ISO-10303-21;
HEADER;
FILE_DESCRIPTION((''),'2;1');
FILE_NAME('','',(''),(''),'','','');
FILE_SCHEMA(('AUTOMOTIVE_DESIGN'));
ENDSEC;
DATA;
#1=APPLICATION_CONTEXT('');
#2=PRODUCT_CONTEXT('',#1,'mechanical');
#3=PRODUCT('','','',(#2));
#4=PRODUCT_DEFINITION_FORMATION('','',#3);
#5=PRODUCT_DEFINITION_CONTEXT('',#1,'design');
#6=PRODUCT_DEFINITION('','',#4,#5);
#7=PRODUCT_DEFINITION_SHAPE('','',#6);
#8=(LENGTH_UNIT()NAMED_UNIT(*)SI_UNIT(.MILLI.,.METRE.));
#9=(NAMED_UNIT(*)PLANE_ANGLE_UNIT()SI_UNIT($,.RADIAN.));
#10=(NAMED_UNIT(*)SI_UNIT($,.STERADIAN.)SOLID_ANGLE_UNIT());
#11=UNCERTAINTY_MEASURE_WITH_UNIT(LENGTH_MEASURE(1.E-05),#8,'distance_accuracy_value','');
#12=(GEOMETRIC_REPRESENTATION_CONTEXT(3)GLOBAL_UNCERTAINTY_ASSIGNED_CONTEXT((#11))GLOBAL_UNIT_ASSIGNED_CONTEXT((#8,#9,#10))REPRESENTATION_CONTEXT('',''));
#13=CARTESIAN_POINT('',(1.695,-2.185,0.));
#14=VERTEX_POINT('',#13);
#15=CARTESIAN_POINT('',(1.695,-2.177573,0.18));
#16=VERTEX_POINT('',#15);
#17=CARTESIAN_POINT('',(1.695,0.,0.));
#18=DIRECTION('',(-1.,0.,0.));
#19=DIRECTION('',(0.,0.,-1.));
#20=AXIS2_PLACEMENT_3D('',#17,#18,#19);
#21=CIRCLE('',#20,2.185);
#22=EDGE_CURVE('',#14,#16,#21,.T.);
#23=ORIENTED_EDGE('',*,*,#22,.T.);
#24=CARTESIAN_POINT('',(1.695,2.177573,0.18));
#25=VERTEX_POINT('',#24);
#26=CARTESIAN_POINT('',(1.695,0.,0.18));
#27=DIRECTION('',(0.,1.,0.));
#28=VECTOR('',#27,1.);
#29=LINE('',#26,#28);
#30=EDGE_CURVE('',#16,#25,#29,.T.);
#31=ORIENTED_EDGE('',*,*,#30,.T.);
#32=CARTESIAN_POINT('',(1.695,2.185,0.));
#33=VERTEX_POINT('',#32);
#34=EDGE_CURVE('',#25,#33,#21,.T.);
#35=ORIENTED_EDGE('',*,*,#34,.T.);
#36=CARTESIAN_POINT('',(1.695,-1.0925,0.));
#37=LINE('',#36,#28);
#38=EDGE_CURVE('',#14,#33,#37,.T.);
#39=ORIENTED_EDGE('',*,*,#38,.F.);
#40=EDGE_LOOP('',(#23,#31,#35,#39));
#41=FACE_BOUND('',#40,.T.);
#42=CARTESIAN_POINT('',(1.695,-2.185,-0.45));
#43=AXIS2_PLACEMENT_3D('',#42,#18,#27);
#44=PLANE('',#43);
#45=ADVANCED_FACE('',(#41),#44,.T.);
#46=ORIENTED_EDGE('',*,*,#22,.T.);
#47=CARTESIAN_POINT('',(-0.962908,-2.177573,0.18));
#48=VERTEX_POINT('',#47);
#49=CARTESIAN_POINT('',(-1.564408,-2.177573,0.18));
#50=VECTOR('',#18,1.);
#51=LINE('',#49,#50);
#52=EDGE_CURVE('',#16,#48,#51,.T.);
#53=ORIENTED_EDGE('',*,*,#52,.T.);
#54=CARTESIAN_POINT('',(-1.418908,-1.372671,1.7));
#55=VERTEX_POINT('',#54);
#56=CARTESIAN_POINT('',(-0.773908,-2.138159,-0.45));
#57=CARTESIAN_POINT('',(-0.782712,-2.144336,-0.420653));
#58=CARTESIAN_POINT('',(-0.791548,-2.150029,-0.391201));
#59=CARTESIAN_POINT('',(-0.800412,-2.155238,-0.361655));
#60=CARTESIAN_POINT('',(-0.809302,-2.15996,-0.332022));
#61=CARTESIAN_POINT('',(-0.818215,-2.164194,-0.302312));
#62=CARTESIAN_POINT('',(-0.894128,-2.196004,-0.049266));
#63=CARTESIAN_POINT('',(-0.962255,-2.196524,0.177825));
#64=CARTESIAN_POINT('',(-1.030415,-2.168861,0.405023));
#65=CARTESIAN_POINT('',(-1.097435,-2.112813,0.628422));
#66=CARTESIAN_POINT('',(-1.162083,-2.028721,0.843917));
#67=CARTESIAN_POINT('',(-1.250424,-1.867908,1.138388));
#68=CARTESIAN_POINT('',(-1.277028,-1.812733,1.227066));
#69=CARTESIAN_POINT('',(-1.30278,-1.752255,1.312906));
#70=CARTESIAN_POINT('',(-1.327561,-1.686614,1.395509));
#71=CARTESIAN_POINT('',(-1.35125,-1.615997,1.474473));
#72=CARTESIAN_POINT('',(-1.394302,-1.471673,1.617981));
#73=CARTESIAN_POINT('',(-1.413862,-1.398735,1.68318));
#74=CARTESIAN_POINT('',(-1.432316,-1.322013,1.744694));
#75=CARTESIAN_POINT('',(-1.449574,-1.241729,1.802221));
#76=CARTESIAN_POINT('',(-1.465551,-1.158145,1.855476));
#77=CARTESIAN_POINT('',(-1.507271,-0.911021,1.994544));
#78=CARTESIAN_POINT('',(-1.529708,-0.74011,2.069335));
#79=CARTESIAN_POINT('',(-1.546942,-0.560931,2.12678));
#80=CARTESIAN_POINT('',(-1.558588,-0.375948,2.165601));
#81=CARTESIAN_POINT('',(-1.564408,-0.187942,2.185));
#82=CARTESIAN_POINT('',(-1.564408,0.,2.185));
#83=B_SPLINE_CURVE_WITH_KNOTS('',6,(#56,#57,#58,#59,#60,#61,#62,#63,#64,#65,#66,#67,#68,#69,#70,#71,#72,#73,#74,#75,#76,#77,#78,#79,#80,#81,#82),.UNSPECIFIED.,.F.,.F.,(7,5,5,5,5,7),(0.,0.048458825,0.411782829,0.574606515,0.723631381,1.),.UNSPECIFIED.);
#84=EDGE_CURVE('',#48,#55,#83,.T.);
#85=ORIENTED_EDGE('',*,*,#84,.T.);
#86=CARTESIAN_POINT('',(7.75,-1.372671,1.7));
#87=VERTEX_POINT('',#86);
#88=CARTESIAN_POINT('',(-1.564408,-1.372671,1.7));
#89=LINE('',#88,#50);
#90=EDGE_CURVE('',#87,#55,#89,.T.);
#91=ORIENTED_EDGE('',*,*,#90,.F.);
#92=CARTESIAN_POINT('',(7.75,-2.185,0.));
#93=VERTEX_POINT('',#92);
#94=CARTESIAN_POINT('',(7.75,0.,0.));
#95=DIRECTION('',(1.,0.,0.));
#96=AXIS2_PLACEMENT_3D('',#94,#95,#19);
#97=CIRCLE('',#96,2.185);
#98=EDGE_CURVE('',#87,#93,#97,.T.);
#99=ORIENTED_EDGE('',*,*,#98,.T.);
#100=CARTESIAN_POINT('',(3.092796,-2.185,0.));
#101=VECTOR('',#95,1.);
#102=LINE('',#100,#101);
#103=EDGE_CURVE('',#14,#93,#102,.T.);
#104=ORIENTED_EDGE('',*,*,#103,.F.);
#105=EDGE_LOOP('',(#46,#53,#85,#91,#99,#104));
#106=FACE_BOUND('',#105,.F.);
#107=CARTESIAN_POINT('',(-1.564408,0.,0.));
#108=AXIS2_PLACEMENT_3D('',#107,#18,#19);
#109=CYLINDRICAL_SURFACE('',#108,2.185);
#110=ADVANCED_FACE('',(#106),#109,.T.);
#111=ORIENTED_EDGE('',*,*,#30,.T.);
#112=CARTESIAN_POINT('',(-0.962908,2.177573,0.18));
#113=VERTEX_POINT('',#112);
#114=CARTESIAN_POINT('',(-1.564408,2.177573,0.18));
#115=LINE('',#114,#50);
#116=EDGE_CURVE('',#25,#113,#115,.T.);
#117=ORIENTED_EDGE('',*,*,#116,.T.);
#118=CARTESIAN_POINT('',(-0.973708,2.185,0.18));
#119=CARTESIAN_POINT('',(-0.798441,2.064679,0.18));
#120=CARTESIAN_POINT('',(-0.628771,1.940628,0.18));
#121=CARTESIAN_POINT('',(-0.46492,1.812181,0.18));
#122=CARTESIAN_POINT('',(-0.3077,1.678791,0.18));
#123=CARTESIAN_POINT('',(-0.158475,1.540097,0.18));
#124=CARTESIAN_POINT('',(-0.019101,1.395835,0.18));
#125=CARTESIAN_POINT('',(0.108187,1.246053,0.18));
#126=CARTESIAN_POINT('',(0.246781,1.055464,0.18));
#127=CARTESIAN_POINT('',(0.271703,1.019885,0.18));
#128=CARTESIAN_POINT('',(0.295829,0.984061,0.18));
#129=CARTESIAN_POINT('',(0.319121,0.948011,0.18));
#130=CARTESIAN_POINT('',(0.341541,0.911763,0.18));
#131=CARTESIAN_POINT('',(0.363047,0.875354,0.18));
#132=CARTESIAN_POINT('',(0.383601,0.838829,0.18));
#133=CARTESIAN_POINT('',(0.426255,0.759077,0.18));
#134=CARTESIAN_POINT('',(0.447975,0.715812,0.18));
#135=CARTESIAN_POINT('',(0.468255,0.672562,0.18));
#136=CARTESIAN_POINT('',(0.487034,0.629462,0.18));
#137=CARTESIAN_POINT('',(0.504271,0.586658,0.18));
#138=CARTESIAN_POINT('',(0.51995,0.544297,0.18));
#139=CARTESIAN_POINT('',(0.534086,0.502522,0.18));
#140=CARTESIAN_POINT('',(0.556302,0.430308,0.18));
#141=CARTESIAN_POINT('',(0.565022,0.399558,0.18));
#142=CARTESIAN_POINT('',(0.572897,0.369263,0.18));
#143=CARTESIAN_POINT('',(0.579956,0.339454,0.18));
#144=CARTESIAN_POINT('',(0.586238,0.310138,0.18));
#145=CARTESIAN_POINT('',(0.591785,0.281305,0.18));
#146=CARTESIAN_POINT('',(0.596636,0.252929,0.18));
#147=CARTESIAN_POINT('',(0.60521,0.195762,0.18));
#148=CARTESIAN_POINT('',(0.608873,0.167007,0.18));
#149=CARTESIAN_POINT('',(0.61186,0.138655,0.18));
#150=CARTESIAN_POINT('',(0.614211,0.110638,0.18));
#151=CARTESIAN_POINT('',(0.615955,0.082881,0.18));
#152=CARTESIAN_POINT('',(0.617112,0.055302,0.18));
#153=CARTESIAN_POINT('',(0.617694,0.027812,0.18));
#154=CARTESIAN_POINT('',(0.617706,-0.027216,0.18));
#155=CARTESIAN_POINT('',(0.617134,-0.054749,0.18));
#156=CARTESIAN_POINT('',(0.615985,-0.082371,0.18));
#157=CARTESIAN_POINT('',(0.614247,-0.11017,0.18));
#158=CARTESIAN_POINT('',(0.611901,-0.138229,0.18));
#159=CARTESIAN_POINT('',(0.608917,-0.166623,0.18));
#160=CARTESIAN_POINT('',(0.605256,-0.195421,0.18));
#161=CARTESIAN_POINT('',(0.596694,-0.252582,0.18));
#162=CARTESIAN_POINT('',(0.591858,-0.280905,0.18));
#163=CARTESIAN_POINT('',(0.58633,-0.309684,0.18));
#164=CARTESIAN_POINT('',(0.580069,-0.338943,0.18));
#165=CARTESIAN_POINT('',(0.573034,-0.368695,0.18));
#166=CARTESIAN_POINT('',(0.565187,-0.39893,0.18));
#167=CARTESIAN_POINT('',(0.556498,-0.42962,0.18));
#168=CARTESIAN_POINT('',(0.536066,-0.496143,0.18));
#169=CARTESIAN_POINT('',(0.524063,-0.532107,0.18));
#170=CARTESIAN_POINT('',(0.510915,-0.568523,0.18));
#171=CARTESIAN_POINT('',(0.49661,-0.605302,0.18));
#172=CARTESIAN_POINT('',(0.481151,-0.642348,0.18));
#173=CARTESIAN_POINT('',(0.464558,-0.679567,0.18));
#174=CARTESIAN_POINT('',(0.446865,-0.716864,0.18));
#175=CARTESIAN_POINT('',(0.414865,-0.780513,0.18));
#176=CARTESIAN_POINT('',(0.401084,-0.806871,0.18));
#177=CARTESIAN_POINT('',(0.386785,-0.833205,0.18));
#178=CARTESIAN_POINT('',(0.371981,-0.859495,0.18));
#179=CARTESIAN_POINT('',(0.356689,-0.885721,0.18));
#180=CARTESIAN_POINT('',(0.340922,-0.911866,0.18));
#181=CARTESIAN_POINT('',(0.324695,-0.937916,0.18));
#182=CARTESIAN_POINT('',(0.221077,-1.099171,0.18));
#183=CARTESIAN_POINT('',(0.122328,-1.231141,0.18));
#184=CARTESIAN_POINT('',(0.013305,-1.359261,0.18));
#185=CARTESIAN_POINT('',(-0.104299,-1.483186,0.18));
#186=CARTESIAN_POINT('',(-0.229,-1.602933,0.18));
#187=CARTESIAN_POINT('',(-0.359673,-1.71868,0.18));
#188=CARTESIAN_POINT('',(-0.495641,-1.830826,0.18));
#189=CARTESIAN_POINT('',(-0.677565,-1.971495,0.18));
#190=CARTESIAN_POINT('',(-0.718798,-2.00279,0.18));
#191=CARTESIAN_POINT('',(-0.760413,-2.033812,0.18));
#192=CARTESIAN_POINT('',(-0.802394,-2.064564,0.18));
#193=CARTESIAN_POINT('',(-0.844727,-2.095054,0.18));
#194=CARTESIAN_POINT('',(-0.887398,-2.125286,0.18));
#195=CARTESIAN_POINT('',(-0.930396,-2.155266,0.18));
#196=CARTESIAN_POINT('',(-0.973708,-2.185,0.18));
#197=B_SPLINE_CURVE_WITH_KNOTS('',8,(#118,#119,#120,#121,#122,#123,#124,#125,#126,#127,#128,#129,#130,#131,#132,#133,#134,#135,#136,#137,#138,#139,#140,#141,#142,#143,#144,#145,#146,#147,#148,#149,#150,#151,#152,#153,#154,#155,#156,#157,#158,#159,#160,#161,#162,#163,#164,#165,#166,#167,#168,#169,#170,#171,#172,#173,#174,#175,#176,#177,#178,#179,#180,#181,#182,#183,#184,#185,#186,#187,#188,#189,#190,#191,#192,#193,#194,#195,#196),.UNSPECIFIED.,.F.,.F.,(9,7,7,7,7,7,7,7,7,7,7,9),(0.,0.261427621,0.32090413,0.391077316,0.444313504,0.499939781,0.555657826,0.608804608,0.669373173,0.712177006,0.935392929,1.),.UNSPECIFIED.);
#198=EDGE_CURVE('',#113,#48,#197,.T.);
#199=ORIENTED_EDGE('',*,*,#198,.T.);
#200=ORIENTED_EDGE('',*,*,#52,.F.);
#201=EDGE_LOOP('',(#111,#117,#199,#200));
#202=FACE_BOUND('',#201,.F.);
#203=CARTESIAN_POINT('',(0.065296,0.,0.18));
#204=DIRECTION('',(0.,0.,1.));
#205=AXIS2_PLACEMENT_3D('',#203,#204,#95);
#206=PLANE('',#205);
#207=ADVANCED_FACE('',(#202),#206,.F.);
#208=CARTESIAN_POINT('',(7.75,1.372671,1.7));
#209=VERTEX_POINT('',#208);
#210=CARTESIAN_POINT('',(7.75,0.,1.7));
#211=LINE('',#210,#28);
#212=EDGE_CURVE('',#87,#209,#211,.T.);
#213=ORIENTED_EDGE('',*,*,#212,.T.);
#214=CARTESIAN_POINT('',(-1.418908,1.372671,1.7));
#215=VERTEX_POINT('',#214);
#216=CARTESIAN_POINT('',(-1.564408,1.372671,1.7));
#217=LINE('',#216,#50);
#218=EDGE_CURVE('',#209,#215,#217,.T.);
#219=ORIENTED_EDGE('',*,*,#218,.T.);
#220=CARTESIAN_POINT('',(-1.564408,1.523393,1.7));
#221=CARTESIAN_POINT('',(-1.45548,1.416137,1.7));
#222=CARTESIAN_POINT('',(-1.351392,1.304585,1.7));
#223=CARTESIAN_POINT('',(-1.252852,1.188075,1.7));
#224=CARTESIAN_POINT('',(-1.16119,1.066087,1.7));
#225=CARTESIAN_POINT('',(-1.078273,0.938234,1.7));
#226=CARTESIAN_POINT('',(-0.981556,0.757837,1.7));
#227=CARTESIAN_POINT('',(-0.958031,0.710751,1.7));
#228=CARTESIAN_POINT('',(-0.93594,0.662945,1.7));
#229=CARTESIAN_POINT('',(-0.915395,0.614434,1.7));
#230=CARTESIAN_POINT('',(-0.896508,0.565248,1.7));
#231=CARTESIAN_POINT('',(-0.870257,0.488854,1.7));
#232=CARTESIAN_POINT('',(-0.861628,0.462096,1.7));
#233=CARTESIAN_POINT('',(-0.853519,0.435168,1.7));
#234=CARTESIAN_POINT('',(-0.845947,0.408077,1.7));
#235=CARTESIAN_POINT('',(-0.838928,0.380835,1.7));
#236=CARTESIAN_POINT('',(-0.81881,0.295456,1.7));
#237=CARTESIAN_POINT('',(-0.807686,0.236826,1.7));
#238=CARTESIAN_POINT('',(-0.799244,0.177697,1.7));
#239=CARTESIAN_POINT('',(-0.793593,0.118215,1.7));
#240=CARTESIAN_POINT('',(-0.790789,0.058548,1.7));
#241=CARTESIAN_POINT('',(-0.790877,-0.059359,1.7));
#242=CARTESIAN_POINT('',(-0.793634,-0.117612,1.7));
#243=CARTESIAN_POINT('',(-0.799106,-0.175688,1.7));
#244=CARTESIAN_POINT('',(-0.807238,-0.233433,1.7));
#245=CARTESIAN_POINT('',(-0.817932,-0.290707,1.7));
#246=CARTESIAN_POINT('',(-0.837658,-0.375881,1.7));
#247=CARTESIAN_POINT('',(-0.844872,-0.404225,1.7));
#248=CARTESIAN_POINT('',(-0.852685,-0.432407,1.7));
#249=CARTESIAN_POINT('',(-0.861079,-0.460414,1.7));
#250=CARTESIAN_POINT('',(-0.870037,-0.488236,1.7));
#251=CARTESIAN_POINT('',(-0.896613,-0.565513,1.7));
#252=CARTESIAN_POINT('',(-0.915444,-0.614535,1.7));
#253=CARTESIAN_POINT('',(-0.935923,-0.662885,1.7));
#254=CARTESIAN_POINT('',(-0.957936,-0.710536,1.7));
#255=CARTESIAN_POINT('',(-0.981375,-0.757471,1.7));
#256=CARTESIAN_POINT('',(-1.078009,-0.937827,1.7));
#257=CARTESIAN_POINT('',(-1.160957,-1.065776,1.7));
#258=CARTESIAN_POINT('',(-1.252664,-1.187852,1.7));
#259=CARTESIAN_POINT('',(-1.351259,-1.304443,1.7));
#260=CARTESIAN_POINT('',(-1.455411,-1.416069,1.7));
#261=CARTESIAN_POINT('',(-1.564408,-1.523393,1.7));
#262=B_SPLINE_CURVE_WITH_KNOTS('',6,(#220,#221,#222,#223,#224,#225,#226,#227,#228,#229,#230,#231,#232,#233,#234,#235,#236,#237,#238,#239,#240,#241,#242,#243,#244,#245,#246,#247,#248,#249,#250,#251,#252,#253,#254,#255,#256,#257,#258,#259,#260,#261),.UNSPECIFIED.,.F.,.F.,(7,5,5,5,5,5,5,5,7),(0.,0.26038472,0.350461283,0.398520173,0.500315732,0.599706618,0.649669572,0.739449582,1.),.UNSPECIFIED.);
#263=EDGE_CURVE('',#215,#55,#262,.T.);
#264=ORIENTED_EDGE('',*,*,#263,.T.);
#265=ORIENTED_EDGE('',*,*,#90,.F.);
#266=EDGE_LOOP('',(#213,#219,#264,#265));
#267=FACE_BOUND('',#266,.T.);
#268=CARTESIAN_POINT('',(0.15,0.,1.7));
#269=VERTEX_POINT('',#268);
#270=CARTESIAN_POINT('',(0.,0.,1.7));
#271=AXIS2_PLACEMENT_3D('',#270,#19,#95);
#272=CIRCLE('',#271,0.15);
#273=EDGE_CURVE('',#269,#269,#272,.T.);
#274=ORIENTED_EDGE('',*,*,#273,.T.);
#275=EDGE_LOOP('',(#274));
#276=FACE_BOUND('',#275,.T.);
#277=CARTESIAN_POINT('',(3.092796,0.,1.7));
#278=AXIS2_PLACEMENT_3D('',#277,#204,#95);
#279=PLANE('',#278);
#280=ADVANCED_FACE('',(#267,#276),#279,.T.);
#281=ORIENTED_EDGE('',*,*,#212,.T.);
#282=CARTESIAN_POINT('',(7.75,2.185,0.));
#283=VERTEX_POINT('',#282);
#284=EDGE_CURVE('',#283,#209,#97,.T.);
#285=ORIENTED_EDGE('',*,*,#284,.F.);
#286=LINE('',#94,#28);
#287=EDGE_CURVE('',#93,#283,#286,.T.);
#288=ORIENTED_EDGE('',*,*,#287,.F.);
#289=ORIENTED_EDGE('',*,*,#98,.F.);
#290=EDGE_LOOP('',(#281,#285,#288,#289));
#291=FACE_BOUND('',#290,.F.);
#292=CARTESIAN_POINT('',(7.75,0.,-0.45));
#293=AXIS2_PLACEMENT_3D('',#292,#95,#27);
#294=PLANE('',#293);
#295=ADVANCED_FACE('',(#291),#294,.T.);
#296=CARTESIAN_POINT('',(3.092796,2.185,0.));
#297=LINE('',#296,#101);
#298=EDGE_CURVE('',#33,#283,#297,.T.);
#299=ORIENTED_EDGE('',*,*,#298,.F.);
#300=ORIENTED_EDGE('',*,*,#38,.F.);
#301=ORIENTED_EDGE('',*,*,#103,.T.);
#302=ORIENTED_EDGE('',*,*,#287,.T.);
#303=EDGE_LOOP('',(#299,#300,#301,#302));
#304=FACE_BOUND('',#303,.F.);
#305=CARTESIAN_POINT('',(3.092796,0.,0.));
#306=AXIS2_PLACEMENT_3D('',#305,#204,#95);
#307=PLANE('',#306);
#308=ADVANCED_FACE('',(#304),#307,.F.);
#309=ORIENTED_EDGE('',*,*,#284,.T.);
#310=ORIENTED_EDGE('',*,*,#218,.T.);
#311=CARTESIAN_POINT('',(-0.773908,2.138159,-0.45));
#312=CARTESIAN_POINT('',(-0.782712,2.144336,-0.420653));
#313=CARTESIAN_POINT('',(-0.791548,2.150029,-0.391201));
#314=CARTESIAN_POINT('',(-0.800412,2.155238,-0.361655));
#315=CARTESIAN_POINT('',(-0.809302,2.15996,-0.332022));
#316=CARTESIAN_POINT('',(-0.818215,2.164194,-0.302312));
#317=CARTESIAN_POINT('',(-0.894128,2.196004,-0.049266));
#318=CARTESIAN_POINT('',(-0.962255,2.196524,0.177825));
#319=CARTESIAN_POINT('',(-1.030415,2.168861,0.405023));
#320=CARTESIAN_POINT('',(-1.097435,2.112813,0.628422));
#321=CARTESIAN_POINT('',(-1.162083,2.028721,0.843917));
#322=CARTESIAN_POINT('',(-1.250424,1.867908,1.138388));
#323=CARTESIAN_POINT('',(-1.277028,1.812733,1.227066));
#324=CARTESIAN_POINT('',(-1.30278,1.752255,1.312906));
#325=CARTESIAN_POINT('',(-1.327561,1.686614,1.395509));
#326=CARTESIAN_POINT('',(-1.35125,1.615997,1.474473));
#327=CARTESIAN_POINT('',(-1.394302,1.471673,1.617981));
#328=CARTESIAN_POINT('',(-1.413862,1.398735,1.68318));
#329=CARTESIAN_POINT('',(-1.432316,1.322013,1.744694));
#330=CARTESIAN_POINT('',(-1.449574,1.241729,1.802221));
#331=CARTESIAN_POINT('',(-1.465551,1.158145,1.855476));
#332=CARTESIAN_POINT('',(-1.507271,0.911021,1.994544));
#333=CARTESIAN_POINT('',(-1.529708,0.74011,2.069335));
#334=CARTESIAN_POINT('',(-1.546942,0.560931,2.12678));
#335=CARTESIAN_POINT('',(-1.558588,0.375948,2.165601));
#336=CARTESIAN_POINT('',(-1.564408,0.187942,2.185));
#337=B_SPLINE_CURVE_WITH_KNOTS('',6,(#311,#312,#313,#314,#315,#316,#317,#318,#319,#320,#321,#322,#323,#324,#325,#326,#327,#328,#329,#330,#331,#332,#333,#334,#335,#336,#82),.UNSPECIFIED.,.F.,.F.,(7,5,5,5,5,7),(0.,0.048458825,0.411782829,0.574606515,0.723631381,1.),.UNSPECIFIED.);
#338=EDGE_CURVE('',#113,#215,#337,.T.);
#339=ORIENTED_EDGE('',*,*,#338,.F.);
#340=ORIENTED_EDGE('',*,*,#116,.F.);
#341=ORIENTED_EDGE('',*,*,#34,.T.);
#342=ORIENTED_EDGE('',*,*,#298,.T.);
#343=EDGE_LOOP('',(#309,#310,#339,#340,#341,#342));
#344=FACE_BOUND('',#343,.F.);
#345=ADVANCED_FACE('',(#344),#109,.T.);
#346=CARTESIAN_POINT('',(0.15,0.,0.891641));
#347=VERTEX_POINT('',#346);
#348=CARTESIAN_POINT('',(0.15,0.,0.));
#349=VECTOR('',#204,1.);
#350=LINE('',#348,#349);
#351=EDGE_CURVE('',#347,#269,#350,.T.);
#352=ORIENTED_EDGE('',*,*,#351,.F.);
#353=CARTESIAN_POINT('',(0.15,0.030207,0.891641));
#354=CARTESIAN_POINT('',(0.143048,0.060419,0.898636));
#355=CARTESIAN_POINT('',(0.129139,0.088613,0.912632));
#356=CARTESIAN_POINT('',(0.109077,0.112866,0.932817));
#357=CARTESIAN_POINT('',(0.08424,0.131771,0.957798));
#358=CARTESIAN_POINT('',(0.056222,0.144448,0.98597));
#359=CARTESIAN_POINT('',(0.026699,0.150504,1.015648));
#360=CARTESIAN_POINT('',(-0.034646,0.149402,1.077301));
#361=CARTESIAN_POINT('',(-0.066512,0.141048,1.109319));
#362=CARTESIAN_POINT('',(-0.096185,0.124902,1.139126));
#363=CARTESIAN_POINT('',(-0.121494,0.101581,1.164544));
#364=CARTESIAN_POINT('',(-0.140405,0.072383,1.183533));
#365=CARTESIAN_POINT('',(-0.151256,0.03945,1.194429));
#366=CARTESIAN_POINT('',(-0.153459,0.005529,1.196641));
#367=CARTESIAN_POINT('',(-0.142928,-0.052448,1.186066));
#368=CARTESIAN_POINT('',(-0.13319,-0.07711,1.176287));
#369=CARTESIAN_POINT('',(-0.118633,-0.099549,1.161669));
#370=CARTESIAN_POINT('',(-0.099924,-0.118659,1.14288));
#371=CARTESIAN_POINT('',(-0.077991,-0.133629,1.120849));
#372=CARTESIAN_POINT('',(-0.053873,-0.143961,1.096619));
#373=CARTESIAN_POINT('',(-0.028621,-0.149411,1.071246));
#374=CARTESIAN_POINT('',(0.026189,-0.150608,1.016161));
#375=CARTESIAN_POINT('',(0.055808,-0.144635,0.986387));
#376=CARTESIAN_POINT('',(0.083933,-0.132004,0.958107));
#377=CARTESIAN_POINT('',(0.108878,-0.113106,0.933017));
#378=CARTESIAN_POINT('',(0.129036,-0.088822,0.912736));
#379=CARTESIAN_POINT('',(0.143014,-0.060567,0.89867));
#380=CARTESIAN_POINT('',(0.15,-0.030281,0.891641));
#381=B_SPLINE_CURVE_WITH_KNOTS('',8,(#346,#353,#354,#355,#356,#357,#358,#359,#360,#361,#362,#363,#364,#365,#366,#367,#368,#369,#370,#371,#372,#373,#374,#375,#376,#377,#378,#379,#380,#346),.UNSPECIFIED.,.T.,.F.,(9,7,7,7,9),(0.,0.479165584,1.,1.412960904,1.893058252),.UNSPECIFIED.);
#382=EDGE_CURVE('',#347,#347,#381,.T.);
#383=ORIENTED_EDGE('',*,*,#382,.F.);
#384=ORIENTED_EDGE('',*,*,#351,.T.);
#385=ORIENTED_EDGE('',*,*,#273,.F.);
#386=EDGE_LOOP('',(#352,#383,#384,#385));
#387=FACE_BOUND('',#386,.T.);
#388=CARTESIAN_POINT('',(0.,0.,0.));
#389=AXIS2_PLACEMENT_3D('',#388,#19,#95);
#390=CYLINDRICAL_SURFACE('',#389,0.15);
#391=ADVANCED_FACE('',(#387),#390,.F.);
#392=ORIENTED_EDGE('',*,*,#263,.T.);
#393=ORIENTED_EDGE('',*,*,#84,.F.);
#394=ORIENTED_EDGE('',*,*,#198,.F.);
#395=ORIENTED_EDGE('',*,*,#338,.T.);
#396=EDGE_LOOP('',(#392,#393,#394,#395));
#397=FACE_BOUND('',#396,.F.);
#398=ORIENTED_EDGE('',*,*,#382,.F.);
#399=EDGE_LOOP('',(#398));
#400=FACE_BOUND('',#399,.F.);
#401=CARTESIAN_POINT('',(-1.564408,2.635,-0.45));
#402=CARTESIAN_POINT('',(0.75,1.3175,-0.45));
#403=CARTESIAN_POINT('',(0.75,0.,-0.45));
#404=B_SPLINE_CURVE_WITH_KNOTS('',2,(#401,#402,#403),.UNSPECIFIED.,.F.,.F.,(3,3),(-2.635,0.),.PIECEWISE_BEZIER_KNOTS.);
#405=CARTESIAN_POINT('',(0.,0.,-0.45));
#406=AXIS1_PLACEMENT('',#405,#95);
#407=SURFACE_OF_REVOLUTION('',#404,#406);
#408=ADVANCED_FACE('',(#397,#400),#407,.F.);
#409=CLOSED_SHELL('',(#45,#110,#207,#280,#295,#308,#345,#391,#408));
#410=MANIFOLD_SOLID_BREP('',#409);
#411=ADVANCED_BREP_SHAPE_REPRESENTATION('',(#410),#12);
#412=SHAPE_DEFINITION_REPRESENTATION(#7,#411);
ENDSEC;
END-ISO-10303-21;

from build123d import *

# Parameters (mm, degrees)
CYLINDER001_R     = 2.185
CYLINDER001_DEPTH = 9.314408
BOX_W             = 9.314408
BOX_H             = 4.37
BOX_DEPTH         = 0.935
BOX001_W          = 3.259408
BOX001_H          = 4.37
BOX001_DEPTH      = 0.63
BOX002_W          = 9.314408
BOX002_H          = 4.37
BOX002_DEPTH      = 0.55
CYLINDER_R        = 0.15
CYLINDER_DEPTH    = 2.185
REVOLUTION_ANGLE  = 180


with BuildPart() as volumelimit:
    # Cylinder001 → Cylinder001 (new body)
    with BuildSketch(Plane(origin=(-1.564408, 0, 0), x_dir=(0, 0, -1), z_dir=(1, 0, 0))):
        Circle(CYLINDER001_R)
    extrude(amount=CYLINDER001_DEPTH)


with BuildPart() as upperedgecuttingtool:
    # Box → Box (new body)
    with BuildSketch(Plane(origin=(-1.564408, -2.185, 1.7), x_dir=(1, 0, 0), z_dir=(0, 0, 1))):
        with Locations((4.657204, 2.185)):
            Rectangle(BOX_W, BOX_H)
    extrude(amount=BOX_DEPTH)


with BuildPart() as lowerstepcuttingtool:
    # Box001 → Box001 (new body)
    with BuildSketch(Plane(origin=(-1.564408, -2.185, -0.45), x_dir=(1, 0, 0), z_dir=(0, 0, 1))):
        with Locations((1.629704, 2.185)):
            Rectangle(BOX001_W, BOX001_H)
    extrude(amount=BOX001_DEPTH)


with BuildPart() as zposcorrectioncuttingtool:
    # Box002 → Box002 (new body)
    with BuildSketch(Plane(origin=(-1.564408, -2.185, -0.55), x_dir=(1, 0, 0), z_dir=(0, 0, 1))):
        with Locations((4.657204, 2.185)):
            Rectangle(BOX002_W, BOX002_H)
    extrude(amount=BOX002_DEPTH)


with BuildPart() as cuttingtools:
    # Cylinder → Cylinder (new body)
    with BuildSketch(Plane.XY):
        Circle(CYLINDER_R)
    extrude(amount=CYLINDER_DEPTH)

    # Fusion: union UpperEdgeCuttingTool, LowerStepCuttingTool, ZPosCorrectionCuttingTool
    add(upperedgecuttingtool.part)
    add(lowerstepcuttingtool.part)
    add(zposcorrectioncuttingtool.part)


with BuildPart() as mirrorwithoutmount:
    # Sketch → Revolution (revolve)
    with BuildSketch(Plane.XY):
        with BuildLine():
            Line((0.75, 0), (7.75, 0))
            Line((7.75, 0), (7.75, 2.635))
            Line((7.75, 2.635), (-1.564408, 2.635))
            add(Edge.make_bspline(
                [(-1.564408, 2.635), (0.75, 1.3175), (0.75, 0)],
                knots=[-2.635, -2.635, -2.635, 0, 0, 0], degree=2))
        make_face()
    revolve(axis=Axis((0, 0, 0), (1, 0, 0)), revolution_arc=REVOLUTION_ANGLE)


with BuildPart() as mirrorwithoutmount_1:
    # Body001 placement: moved
    add(mirrorwithoutmount.part.moved(Location((0, 0, -0.45))))

    # Cut: cut CuttingTools
    add(cuttingtools.part, mode=Mode.SUBTRACT)

    # Common: intersect VolumeLimit
    add(volumelimit.part, mode=Mode.INTERSECT)


solid = mirrorwithoutmount_1.part
